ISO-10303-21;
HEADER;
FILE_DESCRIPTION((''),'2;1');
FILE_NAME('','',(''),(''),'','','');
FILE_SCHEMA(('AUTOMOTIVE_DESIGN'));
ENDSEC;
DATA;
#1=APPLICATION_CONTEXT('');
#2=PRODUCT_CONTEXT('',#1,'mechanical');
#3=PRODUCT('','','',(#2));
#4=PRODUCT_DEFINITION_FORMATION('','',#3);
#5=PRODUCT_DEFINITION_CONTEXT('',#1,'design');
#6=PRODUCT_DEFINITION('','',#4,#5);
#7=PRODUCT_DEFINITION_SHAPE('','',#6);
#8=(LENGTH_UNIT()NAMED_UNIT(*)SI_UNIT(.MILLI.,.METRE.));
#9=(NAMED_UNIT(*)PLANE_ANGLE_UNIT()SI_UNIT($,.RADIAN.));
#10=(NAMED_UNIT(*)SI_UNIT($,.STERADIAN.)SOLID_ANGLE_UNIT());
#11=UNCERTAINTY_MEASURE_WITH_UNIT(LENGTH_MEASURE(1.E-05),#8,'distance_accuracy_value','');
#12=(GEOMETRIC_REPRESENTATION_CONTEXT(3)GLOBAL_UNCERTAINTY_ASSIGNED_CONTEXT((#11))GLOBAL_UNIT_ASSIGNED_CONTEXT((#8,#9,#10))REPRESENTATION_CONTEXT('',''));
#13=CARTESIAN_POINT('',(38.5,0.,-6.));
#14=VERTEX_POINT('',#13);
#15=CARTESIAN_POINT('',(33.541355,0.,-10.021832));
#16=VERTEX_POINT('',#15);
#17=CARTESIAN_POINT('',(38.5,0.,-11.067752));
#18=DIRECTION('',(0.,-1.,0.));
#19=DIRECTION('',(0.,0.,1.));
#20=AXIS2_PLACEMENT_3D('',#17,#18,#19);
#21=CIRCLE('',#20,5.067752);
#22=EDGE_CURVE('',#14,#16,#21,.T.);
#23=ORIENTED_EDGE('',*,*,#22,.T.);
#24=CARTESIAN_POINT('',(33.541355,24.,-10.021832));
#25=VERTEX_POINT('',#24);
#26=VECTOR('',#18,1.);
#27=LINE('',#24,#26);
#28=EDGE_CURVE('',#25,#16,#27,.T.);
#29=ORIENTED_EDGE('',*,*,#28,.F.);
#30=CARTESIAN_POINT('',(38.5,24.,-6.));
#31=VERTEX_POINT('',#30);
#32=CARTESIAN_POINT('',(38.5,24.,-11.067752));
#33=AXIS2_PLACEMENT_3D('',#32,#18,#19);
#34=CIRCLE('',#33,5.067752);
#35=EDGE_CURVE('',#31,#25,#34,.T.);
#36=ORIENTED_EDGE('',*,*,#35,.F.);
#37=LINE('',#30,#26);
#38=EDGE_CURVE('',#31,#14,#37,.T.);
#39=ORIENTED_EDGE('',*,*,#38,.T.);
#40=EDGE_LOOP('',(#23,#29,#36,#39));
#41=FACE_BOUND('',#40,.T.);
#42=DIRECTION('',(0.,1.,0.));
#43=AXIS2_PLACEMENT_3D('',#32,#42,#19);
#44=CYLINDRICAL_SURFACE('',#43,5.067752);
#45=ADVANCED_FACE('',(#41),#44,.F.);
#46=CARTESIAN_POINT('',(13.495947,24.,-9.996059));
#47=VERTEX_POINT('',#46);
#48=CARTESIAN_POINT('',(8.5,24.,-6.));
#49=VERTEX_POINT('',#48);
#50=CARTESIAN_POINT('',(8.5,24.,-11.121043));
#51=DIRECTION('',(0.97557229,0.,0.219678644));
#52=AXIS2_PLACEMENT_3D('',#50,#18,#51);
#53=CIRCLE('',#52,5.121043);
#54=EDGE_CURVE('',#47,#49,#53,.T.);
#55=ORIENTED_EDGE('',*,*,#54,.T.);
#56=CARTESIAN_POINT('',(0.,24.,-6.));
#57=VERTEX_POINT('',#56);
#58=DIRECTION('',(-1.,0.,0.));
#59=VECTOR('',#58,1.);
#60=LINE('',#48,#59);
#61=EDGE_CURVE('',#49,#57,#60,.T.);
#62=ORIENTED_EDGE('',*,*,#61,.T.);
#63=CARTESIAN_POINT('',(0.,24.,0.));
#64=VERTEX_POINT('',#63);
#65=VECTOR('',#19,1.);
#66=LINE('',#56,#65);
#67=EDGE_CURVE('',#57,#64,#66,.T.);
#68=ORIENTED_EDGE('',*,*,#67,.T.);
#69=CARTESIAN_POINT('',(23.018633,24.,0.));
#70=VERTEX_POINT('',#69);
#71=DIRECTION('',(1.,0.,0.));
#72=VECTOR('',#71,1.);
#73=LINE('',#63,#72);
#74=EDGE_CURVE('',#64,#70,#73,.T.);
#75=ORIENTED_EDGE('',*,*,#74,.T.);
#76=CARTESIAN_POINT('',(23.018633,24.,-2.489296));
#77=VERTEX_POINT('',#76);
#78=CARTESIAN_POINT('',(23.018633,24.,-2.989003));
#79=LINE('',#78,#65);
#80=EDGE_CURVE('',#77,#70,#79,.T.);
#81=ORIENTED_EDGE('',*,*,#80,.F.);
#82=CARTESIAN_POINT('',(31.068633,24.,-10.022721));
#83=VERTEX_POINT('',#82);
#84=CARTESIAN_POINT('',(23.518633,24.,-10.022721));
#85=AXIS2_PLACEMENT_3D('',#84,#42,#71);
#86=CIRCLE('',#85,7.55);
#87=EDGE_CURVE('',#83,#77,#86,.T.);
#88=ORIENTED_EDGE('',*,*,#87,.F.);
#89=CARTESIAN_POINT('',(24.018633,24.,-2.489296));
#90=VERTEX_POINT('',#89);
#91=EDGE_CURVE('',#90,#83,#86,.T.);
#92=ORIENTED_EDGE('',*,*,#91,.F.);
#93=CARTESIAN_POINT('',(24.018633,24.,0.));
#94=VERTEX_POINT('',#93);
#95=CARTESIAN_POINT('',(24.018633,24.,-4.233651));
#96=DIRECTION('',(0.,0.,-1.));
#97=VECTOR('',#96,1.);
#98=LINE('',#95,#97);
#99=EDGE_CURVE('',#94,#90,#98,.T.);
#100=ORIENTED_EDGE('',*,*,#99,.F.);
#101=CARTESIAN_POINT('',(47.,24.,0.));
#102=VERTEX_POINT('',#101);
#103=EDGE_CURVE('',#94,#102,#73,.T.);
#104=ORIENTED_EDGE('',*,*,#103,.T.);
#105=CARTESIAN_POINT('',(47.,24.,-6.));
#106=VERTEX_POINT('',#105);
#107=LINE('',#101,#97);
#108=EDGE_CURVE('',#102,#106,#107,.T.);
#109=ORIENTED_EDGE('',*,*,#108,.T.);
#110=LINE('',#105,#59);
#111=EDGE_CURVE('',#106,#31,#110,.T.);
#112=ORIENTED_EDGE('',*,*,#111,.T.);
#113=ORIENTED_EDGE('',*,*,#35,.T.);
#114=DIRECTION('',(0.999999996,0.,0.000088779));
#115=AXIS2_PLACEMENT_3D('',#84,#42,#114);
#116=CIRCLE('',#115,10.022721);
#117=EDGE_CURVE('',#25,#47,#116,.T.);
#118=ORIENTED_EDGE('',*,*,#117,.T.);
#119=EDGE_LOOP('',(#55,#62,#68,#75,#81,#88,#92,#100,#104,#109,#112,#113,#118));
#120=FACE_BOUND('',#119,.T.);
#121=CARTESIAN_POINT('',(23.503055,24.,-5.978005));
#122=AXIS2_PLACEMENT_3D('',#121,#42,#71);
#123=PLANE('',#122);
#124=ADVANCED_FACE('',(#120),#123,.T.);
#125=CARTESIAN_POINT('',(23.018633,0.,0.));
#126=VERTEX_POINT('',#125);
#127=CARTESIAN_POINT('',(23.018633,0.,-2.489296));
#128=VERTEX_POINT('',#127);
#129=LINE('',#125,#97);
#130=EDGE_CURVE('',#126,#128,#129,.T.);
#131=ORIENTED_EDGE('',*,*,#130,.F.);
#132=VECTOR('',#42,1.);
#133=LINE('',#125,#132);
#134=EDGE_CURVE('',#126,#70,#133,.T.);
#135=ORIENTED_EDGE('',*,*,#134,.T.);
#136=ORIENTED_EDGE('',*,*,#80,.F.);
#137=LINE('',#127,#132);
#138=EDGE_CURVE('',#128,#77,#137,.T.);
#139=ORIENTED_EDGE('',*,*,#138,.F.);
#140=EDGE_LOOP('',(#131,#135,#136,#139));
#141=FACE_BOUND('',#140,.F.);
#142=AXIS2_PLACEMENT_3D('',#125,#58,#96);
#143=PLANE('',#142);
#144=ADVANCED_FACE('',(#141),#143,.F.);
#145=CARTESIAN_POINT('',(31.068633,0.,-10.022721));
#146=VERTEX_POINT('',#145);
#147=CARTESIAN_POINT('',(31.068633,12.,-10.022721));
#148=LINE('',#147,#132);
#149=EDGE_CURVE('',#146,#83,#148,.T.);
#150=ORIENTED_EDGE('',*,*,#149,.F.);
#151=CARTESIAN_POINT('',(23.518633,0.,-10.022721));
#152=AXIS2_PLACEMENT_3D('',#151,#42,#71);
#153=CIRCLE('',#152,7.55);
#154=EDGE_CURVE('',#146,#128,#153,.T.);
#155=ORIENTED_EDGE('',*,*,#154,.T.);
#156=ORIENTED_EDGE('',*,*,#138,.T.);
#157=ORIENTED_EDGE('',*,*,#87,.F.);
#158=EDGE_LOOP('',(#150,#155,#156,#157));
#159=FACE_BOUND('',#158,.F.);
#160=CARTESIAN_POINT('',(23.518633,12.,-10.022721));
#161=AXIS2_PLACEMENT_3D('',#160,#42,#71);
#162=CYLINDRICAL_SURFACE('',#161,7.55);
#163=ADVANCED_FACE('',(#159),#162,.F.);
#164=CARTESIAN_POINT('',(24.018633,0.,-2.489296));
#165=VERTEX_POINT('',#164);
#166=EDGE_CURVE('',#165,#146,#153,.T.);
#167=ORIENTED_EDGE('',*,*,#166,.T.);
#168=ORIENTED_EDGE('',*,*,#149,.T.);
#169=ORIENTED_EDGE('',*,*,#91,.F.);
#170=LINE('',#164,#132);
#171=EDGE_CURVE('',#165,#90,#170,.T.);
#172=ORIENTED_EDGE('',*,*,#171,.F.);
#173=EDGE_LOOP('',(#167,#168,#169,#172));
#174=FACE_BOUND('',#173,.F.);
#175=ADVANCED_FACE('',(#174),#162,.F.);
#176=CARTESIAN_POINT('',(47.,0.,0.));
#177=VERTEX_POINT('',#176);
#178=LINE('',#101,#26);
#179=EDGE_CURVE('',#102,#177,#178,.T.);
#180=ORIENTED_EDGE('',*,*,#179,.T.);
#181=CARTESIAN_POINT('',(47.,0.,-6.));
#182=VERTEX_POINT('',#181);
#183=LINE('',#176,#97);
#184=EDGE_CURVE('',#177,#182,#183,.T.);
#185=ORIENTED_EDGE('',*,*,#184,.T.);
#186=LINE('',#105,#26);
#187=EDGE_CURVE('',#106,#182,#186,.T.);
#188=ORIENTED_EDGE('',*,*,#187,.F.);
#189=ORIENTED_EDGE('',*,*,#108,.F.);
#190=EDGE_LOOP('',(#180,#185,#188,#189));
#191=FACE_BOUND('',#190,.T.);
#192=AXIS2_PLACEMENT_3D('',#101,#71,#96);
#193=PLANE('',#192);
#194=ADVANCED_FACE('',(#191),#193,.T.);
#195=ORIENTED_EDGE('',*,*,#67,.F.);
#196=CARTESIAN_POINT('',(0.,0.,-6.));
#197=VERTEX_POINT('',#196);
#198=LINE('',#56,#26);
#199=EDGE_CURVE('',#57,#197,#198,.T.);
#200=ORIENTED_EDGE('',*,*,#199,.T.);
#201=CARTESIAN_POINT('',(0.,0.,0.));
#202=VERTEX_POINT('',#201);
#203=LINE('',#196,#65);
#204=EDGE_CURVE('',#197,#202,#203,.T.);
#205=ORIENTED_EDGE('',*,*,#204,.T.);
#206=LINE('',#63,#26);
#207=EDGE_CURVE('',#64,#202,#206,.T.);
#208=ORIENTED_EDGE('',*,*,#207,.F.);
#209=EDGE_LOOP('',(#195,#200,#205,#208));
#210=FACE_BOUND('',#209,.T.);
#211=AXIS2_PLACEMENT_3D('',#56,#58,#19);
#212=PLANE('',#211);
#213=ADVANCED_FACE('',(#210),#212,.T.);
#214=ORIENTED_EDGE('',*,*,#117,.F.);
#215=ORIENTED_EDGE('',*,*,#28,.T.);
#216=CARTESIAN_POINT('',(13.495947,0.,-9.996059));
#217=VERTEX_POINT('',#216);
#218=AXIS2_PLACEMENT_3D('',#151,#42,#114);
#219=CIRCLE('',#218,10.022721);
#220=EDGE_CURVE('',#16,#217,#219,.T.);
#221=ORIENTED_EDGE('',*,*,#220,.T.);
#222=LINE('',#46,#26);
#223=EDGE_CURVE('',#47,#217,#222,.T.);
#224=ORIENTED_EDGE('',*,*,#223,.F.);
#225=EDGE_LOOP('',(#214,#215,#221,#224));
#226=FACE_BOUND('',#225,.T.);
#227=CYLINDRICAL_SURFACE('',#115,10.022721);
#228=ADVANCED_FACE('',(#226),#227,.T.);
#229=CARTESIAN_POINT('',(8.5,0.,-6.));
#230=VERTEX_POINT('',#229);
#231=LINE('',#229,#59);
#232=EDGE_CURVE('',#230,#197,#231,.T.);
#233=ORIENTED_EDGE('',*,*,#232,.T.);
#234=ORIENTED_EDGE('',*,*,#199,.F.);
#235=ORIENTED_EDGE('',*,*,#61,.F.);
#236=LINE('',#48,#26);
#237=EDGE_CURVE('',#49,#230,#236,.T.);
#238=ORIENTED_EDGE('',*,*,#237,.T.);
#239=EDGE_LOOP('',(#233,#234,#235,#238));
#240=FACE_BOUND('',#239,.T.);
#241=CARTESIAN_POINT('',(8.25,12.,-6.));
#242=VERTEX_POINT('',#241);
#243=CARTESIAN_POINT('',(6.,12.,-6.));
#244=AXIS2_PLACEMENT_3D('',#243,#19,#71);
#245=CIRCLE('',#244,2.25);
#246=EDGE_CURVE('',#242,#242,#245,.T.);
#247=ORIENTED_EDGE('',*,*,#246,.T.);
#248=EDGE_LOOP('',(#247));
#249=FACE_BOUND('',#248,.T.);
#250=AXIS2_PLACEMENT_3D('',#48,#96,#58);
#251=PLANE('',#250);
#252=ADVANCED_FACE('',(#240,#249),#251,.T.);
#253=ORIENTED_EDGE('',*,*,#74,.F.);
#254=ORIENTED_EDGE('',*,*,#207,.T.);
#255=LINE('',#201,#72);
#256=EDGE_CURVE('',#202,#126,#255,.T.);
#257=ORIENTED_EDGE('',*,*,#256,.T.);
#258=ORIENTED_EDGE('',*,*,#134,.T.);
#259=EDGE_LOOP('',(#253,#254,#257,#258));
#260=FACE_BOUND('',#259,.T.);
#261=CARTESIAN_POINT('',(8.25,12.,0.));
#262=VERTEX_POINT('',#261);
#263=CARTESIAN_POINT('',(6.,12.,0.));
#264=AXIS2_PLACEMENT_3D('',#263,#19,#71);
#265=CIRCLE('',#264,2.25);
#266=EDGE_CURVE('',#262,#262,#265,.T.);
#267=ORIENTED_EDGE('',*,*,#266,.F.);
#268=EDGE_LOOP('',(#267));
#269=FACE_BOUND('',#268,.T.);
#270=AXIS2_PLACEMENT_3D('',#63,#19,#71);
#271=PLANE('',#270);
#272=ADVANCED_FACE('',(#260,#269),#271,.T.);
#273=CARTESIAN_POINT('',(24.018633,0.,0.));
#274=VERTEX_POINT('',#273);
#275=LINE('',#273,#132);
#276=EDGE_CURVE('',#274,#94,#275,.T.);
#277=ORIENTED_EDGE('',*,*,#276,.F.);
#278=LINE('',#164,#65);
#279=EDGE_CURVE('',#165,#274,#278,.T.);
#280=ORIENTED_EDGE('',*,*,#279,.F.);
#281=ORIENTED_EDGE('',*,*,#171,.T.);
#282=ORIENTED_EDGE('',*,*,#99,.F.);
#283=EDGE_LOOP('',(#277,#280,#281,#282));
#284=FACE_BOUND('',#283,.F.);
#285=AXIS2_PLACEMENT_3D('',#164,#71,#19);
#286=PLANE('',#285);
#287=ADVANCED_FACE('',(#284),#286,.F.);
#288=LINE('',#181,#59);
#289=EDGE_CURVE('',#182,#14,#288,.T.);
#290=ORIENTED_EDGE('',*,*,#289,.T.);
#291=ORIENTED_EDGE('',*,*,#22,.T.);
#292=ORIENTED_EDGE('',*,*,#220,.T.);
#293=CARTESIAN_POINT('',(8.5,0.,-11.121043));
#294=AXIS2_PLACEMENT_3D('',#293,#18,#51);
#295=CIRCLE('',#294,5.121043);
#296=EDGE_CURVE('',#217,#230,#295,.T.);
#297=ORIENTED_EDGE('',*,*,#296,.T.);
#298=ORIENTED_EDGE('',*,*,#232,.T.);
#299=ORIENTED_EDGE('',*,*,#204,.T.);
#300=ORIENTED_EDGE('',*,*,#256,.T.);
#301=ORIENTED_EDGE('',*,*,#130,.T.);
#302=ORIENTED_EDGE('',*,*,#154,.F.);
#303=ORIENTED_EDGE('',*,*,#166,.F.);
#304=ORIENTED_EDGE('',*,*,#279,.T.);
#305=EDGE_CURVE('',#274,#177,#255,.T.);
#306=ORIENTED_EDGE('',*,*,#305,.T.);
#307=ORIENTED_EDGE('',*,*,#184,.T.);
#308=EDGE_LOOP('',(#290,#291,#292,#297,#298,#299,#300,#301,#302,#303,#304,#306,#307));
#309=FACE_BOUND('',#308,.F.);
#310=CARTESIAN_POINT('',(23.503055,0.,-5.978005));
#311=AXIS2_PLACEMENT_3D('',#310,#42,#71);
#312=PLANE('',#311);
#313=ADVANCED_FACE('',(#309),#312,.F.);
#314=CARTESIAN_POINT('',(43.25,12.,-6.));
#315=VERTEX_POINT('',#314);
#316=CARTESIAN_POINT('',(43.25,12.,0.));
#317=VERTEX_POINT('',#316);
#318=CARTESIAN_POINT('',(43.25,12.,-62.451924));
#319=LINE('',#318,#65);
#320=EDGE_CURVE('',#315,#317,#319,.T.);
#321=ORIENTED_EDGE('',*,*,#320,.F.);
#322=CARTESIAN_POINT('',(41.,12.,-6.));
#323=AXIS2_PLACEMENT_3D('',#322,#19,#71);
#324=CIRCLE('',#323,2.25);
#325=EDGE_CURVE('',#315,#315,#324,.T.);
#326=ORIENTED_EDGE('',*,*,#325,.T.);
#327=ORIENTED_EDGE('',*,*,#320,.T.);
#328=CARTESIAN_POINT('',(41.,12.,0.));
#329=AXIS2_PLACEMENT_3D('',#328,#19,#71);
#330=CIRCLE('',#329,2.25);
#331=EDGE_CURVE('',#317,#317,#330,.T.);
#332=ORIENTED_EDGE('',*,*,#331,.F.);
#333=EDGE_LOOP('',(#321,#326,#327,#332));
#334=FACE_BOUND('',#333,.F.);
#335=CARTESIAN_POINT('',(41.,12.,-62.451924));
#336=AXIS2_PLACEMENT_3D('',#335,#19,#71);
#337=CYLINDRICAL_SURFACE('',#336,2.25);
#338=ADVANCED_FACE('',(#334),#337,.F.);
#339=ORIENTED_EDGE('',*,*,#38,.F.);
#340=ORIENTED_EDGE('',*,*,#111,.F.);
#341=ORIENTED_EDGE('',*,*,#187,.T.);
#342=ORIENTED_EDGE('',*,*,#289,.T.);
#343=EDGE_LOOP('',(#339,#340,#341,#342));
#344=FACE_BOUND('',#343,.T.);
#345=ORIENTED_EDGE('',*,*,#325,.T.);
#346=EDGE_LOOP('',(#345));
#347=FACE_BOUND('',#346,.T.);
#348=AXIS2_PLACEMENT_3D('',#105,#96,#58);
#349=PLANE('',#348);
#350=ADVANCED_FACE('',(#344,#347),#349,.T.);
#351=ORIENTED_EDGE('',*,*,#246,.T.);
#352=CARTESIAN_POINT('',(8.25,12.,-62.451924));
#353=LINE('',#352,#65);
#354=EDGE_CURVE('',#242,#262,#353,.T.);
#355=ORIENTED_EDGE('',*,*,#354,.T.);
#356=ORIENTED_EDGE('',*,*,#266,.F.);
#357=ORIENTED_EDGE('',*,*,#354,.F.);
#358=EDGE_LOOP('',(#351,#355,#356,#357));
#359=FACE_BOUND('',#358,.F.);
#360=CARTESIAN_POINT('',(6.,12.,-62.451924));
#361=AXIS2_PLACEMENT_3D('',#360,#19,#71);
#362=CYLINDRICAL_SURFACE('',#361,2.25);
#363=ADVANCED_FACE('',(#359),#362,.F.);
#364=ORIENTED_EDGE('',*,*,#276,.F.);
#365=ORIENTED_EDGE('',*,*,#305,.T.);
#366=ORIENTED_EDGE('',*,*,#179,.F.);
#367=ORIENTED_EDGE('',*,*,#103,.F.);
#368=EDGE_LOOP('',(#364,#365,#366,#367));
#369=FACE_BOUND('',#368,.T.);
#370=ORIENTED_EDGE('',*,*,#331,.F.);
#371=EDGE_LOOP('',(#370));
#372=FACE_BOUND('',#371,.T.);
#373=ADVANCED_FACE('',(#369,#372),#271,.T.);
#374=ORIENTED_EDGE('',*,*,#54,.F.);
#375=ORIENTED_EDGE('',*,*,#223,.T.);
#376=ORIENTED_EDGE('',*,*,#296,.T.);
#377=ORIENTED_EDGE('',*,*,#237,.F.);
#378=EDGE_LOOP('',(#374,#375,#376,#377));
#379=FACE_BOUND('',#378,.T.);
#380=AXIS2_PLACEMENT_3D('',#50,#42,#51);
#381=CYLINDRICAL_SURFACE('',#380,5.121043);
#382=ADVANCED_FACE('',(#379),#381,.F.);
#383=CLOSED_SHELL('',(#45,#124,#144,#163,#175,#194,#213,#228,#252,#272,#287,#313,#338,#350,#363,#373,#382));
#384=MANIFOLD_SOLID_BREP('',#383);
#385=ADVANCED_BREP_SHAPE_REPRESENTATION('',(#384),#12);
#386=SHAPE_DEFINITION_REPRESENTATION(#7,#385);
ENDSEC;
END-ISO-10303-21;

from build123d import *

# Parameters (mm, degrees)
BOSS_EXTRUDE1_DEPTH        = 24
CUT_EXTRUDE1_DEPTH         = 25
SKETCH3_W                  = 7.55
SKETCH3_H                  = 24
F_4_5_4_5_DIAMETER_HOLE1_D = 4.5


with BuildPart() as part:
    # Sketch1 → Boss-Extrude1 (new body)
    with BuildSketch(Plane(origin=(0, 24, 0), x_dir=(1, 0, 0), z_dir=(0, 1, 0))):
        with BuildLine():
            Line((0, 0), (47, 0))
            Line((47, 0), (47, 6))
            Line((47, 6), (38.5, 6))
            ThreePointArc((38.5, 6), (35.307693119, 7.131854655), (33.541354656, 10.021831577))
            ThreePointArc((33.541354656, 10.021831577), (23.505747016, 20.045434485), (13.49594739, 9.996059012))
            ThreePointArc((13.49594739, 9.996059012), (11.698748894, 7.121907302), (8.5, 6))
            Line((8.5, 6), (0, 6))
            Line((0, 6), (0, 0))
        make_face()
    extrude(amount=-BOSS_EXTRUDE1_DEPTH)

    # Sketch2 → Cut-Extrude1 (cut, through all)
    with BuildSketch(Plane.XZ):
        with BuildLine():
            Line((24.018633311, 0), (23.018633311, 0))
            Line((23.018633311, 0), (23.018633311, -2.489295869))
            ThreePointArc((23.018633311, -2.489295869), (23.518633311, -2.472721384), (24.018633311, -2.489295869))
            Line((24.018633311, -2.489295869), (24.018633311, 0))
        make_face()
    extrude(amount=-CUT_EXTRUDE1_DEPTH, mode=Mode.SUBTRACT)

    # Sketch3 → Cut-Revolve1 (revolve, cut)
    with BuildSketch(Plane(origin=(0, 0, -10.022721384), x_dir=(-1, 0, 0), z_dir=(0, 0, -1))):
        with Locations((-27.293633311, 12)):
            Rectangle(SKETCH3_W, SKETCH3_H)
    revolve(axis=Axis((23.518633311, 0, -10.022721384), (0, 1, 0)), mode=Mode.SUBTRACT)

    # Ø4.5 (4.5) Diameter Hole1 (through all)
    with Locations(Plane(origin=(0, 0, -6), x_dir=(-1, 0, 0), z_dir=(0, 0, -1))):
        with Locations((-41, 12), (-6, 12)):
            Hole(F_4_5_4_5_DIAMETER_HOLE1_D / 2)


solid = part.part
